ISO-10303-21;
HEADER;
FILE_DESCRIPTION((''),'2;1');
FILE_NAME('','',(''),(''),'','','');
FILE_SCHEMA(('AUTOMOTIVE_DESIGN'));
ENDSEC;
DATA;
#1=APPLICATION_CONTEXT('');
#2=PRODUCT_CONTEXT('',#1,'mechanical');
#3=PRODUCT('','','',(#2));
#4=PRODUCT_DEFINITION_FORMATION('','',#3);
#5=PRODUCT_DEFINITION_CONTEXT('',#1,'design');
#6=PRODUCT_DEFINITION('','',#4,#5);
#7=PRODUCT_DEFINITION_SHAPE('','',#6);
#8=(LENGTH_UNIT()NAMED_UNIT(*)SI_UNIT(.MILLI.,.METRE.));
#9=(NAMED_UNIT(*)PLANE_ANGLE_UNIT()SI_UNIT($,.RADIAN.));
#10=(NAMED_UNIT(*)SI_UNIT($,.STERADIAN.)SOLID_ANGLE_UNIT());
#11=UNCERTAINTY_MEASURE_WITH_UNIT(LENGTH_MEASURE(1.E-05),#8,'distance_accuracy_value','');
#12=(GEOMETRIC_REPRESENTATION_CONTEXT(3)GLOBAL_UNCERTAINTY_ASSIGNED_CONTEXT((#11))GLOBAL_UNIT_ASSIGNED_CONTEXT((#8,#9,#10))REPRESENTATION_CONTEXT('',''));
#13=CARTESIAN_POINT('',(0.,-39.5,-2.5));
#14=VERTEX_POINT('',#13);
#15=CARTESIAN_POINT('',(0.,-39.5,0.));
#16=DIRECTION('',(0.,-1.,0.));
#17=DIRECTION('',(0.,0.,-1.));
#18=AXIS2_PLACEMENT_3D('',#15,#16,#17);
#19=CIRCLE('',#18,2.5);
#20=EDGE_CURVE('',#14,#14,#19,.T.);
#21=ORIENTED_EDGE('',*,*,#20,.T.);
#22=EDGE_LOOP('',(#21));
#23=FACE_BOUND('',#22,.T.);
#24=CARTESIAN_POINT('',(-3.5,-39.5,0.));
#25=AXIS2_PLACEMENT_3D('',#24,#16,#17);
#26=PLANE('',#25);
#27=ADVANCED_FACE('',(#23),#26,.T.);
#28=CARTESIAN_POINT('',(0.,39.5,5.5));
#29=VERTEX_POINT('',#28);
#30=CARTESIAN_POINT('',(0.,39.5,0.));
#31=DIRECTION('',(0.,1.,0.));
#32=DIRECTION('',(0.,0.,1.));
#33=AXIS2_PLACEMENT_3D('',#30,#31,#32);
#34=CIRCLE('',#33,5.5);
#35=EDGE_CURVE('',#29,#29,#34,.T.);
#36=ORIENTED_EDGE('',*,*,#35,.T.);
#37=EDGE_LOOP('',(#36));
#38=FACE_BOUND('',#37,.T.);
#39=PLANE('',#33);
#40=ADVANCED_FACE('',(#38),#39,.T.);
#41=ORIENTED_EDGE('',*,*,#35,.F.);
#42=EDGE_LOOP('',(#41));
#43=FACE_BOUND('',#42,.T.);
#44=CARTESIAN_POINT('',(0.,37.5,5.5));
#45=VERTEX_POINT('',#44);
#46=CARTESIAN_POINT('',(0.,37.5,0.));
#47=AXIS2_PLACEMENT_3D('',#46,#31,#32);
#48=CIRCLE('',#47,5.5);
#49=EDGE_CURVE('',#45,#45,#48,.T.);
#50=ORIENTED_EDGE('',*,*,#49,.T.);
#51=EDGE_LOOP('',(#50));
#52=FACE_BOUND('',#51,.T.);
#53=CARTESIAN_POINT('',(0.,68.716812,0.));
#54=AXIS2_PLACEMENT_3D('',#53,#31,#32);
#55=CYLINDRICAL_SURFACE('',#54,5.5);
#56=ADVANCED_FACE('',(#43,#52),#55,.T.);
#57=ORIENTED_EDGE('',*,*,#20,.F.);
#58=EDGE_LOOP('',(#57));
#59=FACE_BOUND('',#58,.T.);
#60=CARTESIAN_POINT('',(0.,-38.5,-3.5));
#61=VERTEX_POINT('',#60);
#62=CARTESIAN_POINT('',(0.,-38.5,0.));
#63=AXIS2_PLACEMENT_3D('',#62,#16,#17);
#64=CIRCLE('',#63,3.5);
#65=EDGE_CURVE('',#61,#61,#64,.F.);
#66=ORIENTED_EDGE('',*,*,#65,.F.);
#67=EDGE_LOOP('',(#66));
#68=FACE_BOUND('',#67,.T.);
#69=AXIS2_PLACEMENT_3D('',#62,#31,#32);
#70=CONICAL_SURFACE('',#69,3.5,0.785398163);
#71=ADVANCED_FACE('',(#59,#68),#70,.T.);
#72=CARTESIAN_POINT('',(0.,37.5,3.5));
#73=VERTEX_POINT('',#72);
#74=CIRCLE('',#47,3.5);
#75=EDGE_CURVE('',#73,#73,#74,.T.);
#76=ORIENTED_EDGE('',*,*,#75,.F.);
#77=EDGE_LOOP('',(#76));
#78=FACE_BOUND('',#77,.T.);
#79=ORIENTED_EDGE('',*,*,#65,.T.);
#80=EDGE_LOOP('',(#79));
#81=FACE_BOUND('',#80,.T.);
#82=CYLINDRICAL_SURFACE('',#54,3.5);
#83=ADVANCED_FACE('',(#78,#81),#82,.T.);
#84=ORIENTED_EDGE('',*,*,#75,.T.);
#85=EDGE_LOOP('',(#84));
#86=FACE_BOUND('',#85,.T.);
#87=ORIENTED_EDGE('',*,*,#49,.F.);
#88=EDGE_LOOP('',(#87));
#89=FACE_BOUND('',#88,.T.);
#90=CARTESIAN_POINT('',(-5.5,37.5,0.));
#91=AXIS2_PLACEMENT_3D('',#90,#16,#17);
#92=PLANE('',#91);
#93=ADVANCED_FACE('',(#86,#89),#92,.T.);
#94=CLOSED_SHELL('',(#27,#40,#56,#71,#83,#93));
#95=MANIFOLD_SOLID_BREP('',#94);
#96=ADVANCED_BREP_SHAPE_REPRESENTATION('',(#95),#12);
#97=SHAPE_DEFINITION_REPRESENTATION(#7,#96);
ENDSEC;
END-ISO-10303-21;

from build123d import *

# Parameters (mm, degrees)
CHAMFER_1_SIZE = 1


with BuildPart() as part:
    # Эскиз1 → Повернуть1 (revolve)
    with BuildSketch(Plane.XY, mode=Mode.PRIVATE) as revolve_1_sk:
        Polygon((0, 39.5), (-5.5, 39.5), (-5.5, 37.5), (-3.5, 37.5), (-3.5, -39.5), (0, -39.5), align=None)
    revolve(revolve_1_sk.sketch.rotate(Axis((0, 68.716811752, 0), (0, -1, 0)), 270), axis=Axis((0, 68.716811752, 0), (0, -1, 0)))

    # Фаска1
    chamfer_1_edges = [part.edges().sort_by_distance(p)[0] for p in [
        (0, -39.5, -3.5),
    ]]
    chamfer(chamfer_1_edges, length=CHAMFER_1_SIZE)


solid = part.part
